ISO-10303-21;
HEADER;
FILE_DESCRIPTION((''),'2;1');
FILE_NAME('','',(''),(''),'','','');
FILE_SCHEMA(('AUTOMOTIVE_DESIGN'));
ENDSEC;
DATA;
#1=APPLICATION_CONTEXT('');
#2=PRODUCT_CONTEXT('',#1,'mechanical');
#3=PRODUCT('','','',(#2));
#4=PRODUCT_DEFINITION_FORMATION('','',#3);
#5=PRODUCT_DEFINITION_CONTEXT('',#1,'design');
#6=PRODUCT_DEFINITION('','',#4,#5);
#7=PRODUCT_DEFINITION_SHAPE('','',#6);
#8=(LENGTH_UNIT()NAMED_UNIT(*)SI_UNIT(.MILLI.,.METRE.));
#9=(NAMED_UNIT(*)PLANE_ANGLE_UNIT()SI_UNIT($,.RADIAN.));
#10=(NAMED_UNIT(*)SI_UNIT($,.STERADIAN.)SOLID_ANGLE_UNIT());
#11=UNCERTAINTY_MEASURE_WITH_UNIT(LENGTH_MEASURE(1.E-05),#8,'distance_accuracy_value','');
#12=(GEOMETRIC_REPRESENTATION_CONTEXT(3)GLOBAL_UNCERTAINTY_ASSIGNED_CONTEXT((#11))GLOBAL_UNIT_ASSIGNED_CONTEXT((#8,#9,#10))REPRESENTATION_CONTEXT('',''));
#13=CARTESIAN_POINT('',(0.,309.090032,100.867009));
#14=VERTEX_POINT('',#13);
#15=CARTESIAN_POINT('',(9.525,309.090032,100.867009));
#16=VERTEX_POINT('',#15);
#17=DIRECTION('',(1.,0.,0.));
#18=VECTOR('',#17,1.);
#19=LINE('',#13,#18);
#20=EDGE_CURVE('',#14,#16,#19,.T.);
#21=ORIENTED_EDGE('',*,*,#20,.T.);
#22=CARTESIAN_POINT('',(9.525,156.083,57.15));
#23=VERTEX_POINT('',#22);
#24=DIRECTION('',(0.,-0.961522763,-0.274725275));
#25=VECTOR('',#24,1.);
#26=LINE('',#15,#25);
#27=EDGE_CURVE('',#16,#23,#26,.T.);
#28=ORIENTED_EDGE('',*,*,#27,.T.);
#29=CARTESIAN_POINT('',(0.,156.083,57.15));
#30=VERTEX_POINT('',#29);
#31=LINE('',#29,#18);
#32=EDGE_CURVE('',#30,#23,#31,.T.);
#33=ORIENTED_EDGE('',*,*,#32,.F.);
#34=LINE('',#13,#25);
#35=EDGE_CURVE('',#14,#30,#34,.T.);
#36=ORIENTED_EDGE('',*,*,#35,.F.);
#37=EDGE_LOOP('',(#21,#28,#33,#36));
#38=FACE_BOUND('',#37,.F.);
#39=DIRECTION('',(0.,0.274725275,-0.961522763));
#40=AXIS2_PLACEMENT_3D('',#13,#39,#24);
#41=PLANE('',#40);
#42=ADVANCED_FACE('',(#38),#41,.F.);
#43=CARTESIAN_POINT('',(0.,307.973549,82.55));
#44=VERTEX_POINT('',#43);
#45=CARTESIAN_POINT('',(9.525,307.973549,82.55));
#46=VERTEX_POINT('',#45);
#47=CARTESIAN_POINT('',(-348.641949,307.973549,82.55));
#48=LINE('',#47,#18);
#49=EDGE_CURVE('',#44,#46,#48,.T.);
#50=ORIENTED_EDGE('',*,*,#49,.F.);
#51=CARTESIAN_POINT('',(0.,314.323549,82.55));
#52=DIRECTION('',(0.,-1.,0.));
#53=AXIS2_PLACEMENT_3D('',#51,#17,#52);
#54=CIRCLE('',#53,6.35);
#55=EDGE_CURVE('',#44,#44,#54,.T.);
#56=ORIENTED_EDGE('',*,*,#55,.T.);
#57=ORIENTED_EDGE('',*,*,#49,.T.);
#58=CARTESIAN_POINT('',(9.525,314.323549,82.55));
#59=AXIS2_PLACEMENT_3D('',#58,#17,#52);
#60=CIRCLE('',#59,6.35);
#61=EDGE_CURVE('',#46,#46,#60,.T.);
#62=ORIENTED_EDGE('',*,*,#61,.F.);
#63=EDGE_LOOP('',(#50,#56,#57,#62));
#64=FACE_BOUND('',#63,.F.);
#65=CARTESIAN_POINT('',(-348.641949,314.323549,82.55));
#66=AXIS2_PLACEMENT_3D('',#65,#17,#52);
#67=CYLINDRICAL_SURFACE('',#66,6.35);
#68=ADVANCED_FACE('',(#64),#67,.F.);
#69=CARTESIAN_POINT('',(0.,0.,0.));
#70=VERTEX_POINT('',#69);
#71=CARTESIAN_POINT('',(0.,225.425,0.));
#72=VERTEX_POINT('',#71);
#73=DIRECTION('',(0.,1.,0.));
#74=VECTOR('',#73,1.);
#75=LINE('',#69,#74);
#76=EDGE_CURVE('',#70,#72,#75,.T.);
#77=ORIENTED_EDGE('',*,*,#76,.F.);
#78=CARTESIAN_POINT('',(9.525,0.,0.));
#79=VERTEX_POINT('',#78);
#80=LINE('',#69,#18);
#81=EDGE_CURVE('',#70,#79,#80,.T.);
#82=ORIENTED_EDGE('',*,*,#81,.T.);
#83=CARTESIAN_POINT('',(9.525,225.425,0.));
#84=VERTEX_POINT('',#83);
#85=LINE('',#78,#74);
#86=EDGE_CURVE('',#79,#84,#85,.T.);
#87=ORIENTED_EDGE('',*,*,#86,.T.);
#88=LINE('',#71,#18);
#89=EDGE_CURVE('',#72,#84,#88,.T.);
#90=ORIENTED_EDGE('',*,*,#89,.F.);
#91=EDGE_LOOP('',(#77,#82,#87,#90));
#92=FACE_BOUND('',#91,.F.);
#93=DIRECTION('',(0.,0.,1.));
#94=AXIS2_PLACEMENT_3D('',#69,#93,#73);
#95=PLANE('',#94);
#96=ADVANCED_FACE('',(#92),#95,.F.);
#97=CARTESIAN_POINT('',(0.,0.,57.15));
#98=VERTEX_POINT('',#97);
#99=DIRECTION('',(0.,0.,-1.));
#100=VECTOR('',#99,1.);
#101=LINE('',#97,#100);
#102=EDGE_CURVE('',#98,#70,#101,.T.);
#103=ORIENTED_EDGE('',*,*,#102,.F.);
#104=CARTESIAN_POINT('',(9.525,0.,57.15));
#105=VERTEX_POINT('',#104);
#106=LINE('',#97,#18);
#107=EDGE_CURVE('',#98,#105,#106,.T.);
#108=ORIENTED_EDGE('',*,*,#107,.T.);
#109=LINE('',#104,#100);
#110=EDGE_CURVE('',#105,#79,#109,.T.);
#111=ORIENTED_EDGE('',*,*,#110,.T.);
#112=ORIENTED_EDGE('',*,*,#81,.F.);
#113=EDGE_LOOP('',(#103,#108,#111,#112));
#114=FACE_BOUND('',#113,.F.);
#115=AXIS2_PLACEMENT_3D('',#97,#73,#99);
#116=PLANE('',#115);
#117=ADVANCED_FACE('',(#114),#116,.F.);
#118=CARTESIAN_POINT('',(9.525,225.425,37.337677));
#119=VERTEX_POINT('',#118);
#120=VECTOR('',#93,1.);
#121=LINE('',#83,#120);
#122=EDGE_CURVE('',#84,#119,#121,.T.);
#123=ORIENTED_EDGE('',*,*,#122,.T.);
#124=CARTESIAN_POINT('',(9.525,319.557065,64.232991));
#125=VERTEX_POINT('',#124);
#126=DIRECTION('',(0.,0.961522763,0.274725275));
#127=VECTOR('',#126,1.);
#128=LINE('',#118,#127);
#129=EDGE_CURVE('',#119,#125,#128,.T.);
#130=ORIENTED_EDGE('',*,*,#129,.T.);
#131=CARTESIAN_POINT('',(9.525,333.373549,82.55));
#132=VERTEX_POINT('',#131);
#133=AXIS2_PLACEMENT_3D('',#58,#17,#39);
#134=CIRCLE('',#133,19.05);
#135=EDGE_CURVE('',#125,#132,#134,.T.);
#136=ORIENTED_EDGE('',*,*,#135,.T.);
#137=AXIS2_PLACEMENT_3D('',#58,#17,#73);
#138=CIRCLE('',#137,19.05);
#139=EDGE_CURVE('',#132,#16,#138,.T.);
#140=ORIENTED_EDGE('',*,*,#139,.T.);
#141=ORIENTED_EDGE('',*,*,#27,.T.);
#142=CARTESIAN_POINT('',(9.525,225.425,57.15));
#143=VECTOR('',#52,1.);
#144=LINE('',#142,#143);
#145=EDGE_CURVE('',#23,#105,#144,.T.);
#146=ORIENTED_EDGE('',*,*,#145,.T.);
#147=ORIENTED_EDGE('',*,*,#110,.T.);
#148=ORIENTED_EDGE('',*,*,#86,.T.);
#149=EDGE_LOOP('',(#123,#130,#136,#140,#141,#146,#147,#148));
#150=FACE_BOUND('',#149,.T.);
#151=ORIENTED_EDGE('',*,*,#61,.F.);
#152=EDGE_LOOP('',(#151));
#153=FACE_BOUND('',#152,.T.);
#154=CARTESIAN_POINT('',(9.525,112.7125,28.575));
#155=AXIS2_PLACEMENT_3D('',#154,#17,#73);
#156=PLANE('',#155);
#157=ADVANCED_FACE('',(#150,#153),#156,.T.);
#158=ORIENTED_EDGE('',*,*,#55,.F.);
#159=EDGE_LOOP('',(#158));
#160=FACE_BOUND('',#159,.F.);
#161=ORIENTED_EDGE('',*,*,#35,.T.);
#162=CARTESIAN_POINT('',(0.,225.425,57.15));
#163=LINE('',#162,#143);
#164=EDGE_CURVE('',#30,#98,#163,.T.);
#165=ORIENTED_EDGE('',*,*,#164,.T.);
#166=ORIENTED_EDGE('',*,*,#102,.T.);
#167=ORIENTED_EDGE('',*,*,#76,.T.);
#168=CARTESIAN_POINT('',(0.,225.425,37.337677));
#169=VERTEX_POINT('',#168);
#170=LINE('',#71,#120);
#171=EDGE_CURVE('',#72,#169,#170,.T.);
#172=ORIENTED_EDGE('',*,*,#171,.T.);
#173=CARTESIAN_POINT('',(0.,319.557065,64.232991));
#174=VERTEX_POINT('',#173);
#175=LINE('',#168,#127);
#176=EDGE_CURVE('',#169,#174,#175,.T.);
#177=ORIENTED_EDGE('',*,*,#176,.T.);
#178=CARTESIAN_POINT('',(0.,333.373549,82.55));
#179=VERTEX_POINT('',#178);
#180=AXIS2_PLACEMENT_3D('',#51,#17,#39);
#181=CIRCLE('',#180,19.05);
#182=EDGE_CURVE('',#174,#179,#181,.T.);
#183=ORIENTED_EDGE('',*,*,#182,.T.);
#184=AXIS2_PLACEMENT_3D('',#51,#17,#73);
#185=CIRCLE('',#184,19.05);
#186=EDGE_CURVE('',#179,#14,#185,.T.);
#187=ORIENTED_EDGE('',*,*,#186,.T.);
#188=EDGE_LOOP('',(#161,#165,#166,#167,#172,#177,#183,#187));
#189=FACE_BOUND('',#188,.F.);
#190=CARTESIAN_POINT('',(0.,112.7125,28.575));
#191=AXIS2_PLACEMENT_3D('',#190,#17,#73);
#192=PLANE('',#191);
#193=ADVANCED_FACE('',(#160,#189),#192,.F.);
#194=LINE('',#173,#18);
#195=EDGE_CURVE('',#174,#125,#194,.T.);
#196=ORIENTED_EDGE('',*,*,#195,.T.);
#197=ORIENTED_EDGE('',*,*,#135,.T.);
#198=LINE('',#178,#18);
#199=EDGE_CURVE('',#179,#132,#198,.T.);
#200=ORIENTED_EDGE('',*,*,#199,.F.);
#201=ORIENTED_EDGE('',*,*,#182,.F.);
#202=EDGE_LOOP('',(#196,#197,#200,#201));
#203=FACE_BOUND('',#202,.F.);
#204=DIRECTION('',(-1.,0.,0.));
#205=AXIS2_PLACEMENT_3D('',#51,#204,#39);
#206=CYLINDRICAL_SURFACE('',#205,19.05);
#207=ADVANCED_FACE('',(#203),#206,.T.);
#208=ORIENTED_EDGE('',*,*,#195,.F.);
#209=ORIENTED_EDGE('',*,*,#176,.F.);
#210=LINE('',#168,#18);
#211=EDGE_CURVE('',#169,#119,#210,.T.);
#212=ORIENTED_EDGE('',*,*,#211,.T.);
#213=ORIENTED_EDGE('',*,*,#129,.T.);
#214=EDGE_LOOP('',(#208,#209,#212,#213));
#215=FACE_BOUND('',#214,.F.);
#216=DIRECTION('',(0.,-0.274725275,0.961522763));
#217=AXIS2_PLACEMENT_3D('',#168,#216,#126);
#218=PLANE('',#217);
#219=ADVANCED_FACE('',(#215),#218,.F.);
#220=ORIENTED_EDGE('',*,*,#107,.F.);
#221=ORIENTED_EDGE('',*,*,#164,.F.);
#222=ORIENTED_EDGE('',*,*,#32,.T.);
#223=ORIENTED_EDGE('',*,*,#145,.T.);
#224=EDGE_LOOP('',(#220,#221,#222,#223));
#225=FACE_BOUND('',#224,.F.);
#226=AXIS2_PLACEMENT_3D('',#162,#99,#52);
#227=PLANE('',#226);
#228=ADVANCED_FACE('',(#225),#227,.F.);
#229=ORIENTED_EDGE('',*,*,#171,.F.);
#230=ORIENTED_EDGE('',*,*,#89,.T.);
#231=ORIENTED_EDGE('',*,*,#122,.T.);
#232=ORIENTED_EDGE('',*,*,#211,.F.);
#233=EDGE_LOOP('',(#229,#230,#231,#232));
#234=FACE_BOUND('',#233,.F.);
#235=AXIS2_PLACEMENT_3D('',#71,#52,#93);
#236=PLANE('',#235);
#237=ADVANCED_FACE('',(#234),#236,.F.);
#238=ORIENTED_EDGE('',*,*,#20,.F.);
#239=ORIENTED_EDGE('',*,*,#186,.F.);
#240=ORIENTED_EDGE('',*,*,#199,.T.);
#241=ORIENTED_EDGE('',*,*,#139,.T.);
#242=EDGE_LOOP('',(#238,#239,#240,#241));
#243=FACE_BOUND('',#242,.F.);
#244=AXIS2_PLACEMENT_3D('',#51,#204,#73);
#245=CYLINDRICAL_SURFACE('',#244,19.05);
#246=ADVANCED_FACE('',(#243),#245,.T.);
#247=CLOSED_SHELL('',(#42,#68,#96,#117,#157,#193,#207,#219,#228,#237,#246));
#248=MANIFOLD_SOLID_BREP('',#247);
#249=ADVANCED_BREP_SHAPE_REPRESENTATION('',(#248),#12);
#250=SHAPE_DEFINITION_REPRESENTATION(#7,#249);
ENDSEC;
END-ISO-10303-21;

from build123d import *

# Parameters (mm, degrees)
F1_DEPTH = 9.525
F2_DEPTH = 9.525
F3_D     = 12.7


with BuildPart() as f1:
    # F0 (on Right) → F1 (new body)
    with BuildSketch(Plane.YZ):
        Polygon((0, 57.15), (0, 0), (225.425, 0), (225.425, 37.3376765309), (225.425, 57.15), (156.083, 57.15), align=None)
    extrude(amount=F1_DEPTH)

    # F0 (on Right) → F2 (join)
    with BuildSketch(Plane.YZ):
        Polygon((0, 57.15), (0, 0), (225.425, 0), (225.425, 37.3376765309), (225.425, 57.15), (156.083, 57.15), align=None)
        with BuildLine():
            Line((225.425, 57.15), (225.425, 37.3376765309))
            Line((225.425, 37.3376765309), (319.5570650431, 64.2329913682))
            ThreePointArc((319.5570650431, 64.2329913682), (305.0721225399, 65.8972639905), (296.0065399278, 77.3164835165))
            Line((296.0065399278, 77.3164835165), (225.425, 57.15))
        make_face()
        with BuildLine():
            Line((309.0900320761, 100.8670086318), (156.083, 57.15))
            Line((156.083, 57.15), (225.425, 57.15))
            Line((225.425, 57.15), (296.0065399278, 77.3164835165))
            ThreePointArc((296.0065399278, 77.3164835165), (297.67081255, 91.8014260196), (309.0900320761, 100.8670086318))
        make_face()
        with BuildLine():
            Line((314.3235485596, 82.55), (319.5570650431, 64.2329913682))
            ThreePointArc((319.5570650431, 64.2329913682), (329.5321150438, 71.0782082701), (333.3735485596, 82.55))
            ThreePointArc((333.3735485596, 82.55), (325.7953402895, 97.7585664842), (309.0900320761, 100.8670086318))
            Line((309.0900320761, 100.8670086318), (314.3235485596, 82.55))
        make_face()
        with BuildLine():
            ThreePointArc((296.0065399278, 77.3164835165), (305.0721225399, 65.8972639905), (319.5570650431, 64.2329913682))
            Line((319.5570650431, 64.2329913682), (314.3235485596, 82.55))
            Line((314.3235485596, 82.55), (296.0065399278, 77.3164835165))
        make_face()
        with BuildLine():
            Line((314.3235485596, 82.55), (309.0900320761, 100.8670086318))
            ThreePointArc((309.0900320761, 100.8670086318), (297.67081255, 91.8014260196), (296.0065399278, 77.3164835165))
            Line((296.0065399278, 77.3164835165), (314.3235485596, 82.55))
        make_face()
    extrude(amount=F2_DEPTH)

    # F3 (through all)
    with Locations(Plane(origin=(0, 0, 0), x_dir=(0, 1, 0), z_dir=(-1, 0, 0))):
        with Locations((314.3235485596, -82.55)):
            Hole(F3_D / 2)


solid = f1.part
